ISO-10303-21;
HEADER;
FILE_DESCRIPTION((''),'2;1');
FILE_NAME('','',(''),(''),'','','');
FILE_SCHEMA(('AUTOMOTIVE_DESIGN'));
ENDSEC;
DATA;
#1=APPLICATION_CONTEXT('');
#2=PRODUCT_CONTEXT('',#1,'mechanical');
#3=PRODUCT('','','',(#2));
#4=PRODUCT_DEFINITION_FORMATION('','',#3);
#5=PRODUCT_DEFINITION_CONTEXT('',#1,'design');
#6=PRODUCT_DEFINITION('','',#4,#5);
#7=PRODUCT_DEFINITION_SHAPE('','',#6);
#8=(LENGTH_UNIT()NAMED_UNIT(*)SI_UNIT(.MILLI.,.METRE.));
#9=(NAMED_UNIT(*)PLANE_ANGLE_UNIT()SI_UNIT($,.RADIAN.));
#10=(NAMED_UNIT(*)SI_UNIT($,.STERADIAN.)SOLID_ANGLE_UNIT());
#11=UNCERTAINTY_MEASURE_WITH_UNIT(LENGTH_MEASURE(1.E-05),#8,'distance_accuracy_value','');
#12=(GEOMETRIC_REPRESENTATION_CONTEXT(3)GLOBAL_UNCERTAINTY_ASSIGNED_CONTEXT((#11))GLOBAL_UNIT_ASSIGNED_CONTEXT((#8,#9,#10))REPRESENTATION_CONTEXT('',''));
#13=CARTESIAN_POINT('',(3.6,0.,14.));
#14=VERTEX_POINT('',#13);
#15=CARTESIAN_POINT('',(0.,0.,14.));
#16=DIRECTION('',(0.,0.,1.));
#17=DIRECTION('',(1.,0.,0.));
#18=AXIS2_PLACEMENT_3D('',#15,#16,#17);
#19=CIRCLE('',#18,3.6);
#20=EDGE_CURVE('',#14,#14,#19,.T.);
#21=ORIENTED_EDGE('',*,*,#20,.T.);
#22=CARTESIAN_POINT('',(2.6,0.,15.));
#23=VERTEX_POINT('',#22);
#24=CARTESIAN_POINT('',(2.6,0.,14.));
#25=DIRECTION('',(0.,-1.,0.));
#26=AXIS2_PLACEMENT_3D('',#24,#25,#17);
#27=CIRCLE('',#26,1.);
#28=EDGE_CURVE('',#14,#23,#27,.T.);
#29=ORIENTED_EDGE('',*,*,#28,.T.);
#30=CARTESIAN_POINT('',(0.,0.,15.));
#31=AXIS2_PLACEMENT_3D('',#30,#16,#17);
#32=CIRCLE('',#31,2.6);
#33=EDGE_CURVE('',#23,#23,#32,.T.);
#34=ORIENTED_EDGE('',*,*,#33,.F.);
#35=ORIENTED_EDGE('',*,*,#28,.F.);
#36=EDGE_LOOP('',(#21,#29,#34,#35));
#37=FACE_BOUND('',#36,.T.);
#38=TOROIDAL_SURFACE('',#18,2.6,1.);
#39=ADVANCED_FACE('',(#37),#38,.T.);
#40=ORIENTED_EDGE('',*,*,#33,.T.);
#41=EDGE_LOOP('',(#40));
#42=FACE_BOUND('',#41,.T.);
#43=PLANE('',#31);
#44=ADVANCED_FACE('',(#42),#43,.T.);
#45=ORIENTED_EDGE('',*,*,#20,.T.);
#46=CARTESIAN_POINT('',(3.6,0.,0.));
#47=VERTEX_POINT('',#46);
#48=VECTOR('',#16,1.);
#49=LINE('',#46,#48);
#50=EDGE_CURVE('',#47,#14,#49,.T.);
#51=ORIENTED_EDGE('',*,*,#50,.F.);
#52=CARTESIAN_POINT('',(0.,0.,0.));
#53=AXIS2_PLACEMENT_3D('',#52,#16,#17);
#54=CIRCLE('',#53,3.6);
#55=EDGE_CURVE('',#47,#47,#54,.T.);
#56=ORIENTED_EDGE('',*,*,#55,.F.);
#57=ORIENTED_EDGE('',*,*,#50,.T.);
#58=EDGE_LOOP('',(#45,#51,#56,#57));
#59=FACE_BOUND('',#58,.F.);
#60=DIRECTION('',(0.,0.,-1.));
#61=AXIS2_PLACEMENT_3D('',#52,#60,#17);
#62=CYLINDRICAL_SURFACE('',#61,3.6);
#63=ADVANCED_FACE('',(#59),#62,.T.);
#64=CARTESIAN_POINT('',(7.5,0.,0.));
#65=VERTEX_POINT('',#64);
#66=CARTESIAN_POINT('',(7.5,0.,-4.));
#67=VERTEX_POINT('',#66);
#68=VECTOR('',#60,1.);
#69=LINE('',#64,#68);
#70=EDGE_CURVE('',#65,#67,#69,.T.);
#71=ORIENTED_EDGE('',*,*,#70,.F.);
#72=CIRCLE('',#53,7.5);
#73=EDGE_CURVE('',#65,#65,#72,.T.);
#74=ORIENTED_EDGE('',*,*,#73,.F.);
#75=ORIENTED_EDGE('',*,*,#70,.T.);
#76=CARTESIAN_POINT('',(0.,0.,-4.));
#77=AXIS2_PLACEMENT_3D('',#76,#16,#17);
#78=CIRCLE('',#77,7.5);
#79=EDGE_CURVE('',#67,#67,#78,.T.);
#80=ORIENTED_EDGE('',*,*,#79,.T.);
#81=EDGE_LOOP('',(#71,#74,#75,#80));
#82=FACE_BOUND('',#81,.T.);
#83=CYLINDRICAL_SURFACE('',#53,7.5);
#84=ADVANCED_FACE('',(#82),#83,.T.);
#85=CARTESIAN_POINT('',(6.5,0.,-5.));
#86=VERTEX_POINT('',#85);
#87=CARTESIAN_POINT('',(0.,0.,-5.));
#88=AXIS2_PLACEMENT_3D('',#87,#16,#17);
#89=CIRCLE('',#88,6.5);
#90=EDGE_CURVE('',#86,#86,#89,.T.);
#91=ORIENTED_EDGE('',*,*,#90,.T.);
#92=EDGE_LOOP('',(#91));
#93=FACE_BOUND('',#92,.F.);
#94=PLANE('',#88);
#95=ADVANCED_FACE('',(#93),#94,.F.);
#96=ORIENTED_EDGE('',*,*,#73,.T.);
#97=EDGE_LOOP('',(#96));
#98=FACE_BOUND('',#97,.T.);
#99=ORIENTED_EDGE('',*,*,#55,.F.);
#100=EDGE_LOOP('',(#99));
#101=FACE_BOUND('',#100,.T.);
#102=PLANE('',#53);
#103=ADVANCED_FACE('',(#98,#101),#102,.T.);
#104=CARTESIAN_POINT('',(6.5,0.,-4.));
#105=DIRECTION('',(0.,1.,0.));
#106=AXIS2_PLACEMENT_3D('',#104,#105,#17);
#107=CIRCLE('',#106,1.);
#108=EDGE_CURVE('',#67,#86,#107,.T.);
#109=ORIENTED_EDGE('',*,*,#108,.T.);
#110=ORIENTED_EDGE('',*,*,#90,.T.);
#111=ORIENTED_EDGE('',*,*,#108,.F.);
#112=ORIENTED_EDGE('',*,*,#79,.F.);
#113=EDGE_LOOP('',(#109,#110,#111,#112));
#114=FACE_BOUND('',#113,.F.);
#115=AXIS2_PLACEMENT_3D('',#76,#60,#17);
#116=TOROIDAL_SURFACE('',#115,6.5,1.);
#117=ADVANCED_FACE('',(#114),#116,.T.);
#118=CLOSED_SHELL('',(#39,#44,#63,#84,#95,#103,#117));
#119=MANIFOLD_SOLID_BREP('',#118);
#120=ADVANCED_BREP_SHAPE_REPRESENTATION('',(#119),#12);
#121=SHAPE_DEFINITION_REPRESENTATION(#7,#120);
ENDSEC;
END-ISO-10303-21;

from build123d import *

# Parameters (mm, degrees)
F0_R     = 3.6
F1_DEPTH = 15
F0_R_2   = 7.5
F2_DEPTH = 5
F3_R     = 1


with BuildPart() as f1:
    # F0 (on Top) → F1 (new body)
    with BuildSketch(Plane.XY):
        Circle(F0_R)
    extrude(amount=F1_DEPTH)

    # F0 (on Top) → F2 (join)
    with BuildSketch(Plane.XY):
        Circle(F0_R_2)
        Circle(F0_R, mode=Mode.SUBTRACT)
        Circle(F0_R)
    extrude(amount=-F2_DEPTH)

    # F3
    f3_edges = [f1.edges().sort_by_distance(p)[0] for p in [
        (-3.6, 0, 15),
        (-7.5, 0, -5),
    ]]
    fillet(f3_edges, radius=F3_R)


solid = f1.part
